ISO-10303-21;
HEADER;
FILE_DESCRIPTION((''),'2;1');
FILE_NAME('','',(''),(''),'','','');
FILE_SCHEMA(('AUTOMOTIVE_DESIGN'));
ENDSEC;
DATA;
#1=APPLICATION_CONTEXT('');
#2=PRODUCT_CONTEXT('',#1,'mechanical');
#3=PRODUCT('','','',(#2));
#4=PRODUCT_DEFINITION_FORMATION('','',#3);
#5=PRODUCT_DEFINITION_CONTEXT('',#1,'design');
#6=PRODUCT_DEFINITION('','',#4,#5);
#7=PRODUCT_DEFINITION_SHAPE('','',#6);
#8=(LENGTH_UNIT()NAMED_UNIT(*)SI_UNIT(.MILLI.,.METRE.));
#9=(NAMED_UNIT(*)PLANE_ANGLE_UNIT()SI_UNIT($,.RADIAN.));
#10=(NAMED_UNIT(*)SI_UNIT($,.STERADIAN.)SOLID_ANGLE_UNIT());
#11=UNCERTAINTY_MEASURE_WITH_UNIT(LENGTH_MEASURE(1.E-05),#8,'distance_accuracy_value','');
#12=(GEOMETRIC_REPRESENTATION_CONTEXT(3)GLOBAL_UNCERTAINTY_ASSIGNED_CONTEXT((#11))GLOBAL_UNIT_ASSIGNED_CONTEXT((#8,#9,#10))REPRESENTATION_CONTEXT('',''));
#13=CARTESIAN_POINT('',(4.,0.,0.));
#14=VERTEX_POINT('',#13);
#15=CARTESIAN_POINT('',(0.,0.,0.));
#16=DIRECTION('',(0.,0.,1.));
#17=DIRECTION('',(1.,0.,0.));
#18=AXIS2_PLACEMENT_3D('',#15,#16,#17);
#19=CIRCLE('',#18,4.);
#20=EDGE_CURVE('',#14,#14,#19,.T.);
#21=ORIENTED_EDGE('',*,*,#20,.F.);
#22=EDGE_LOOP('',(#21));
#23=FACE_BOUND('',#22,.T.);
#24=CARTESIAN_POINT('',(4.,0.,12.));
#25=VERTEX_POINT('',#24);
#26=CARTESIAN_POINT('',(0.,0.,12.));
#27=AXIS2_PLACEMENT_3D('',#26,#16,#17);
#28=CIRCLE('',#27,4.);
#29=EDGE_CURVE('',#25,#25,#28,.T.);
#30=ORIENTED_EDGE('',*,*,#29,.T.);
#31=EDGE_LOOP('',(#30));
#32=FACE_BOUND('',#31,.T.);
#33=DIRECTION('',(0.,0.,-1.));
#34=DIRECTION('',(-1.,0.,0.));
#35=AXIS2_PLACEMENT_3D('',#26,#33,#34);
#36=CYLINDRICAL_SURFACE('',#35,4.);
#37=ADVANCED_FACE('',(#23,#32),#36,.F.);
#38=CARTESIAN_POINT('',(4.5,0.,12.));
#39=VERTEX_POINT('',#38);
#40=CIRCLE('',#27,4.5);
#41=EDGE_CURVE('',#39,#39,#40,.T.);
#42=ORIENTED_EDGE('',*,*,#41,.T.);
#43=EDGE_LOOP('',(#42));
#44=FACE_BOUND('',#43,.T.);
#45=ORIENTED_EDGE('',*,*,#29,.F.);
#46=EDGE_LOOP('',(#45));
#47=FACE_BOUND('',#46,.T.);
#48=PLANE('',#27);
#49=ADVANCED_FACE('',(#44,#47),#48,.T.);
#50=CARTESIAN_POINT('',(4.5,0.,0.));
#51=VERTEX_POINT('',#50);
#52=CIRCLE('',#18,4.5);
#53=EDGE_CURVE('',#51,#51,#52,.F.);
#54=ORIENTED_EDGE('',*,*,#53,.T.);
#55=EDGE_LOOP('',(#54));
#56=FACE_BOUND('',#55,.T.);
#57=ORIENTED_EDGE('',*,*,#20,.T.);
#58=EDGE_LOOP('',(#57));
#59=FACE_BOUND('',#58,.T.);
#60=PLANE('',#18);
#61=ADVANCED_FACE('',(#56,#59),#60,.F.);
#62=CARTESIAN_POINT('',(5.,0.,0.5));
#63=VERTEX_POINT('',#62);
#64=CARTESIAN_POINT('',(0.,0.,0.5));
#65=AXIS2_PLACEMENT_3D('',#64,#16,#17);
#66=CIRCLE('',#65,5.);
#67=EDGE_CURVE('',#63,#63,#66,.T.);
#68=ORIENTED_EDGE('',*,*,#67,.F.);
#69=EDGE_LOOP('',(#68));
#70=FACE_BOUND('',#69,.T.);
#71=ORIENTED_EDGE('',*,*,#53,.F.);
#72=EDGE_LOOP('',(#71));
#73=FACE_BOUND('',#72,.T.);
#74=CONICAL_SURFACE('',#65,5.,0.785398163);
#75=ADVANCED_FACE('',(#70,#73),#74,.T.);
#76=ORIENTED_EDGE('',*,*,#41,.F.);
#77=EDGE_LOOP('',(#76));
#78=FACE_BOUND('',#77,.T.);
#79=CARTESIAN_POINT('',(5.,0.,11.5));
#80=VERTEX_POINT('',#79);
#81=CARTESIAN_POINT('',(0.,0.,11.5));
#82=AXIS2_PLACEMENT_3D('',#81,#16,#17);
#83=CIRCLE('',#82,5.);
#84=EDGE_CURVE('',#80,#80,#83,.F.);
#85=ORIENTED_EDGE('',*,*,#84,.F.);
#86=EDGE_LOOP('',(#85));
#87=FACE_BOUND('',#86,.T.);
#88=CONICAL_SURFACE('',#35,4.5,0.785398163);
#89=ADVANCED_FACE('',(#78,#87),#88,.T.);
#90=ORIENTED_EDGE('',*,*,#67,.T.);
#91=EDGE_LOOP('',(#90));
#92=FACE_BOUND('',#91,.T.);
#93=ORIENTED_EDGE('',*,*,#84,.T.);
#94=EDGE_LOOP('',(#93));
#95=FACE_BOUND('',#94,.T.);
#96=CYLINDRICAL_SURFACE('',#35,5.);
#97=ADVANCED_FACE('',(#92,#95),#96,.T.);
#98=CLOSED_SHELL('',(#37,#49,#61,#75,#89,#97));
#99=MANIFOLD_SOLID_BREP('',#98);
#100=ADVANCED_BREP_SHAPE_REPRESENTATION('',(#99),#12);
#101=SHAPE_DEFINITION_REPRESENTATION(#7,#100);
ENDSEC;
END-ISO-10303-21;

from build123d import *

# Parameters (mm, degrees)
SKETCH_1_R      = 5
SKETCH_1_R_2    = 4
EXTRUDE_1_DEPTH = 12
CHAMFER_1_SIZE  = 0.5


with BuildPart() as part:
    # Эскиз1 → Бобышка-Вытянуть1 (new body)
    with BuildSketch(Plane.XY):
        Circle(SKETCH_1_R)
        Circle(SKETCH_1_R_2, mode=Mode.SUBTRACT)
    extrude(amount=EXTRUDE_1_DEPTH)

    # Фаска1
    chamfer_1_edges = [part.edges().sort_by_distance(p)[0] for p in [
        (-5, 0, 0),
        (-5, 0, 12),
    ]]
    chamfer(chamfer_1_edges, length=CHAMFER_1_SIZE)


solid = part.part
